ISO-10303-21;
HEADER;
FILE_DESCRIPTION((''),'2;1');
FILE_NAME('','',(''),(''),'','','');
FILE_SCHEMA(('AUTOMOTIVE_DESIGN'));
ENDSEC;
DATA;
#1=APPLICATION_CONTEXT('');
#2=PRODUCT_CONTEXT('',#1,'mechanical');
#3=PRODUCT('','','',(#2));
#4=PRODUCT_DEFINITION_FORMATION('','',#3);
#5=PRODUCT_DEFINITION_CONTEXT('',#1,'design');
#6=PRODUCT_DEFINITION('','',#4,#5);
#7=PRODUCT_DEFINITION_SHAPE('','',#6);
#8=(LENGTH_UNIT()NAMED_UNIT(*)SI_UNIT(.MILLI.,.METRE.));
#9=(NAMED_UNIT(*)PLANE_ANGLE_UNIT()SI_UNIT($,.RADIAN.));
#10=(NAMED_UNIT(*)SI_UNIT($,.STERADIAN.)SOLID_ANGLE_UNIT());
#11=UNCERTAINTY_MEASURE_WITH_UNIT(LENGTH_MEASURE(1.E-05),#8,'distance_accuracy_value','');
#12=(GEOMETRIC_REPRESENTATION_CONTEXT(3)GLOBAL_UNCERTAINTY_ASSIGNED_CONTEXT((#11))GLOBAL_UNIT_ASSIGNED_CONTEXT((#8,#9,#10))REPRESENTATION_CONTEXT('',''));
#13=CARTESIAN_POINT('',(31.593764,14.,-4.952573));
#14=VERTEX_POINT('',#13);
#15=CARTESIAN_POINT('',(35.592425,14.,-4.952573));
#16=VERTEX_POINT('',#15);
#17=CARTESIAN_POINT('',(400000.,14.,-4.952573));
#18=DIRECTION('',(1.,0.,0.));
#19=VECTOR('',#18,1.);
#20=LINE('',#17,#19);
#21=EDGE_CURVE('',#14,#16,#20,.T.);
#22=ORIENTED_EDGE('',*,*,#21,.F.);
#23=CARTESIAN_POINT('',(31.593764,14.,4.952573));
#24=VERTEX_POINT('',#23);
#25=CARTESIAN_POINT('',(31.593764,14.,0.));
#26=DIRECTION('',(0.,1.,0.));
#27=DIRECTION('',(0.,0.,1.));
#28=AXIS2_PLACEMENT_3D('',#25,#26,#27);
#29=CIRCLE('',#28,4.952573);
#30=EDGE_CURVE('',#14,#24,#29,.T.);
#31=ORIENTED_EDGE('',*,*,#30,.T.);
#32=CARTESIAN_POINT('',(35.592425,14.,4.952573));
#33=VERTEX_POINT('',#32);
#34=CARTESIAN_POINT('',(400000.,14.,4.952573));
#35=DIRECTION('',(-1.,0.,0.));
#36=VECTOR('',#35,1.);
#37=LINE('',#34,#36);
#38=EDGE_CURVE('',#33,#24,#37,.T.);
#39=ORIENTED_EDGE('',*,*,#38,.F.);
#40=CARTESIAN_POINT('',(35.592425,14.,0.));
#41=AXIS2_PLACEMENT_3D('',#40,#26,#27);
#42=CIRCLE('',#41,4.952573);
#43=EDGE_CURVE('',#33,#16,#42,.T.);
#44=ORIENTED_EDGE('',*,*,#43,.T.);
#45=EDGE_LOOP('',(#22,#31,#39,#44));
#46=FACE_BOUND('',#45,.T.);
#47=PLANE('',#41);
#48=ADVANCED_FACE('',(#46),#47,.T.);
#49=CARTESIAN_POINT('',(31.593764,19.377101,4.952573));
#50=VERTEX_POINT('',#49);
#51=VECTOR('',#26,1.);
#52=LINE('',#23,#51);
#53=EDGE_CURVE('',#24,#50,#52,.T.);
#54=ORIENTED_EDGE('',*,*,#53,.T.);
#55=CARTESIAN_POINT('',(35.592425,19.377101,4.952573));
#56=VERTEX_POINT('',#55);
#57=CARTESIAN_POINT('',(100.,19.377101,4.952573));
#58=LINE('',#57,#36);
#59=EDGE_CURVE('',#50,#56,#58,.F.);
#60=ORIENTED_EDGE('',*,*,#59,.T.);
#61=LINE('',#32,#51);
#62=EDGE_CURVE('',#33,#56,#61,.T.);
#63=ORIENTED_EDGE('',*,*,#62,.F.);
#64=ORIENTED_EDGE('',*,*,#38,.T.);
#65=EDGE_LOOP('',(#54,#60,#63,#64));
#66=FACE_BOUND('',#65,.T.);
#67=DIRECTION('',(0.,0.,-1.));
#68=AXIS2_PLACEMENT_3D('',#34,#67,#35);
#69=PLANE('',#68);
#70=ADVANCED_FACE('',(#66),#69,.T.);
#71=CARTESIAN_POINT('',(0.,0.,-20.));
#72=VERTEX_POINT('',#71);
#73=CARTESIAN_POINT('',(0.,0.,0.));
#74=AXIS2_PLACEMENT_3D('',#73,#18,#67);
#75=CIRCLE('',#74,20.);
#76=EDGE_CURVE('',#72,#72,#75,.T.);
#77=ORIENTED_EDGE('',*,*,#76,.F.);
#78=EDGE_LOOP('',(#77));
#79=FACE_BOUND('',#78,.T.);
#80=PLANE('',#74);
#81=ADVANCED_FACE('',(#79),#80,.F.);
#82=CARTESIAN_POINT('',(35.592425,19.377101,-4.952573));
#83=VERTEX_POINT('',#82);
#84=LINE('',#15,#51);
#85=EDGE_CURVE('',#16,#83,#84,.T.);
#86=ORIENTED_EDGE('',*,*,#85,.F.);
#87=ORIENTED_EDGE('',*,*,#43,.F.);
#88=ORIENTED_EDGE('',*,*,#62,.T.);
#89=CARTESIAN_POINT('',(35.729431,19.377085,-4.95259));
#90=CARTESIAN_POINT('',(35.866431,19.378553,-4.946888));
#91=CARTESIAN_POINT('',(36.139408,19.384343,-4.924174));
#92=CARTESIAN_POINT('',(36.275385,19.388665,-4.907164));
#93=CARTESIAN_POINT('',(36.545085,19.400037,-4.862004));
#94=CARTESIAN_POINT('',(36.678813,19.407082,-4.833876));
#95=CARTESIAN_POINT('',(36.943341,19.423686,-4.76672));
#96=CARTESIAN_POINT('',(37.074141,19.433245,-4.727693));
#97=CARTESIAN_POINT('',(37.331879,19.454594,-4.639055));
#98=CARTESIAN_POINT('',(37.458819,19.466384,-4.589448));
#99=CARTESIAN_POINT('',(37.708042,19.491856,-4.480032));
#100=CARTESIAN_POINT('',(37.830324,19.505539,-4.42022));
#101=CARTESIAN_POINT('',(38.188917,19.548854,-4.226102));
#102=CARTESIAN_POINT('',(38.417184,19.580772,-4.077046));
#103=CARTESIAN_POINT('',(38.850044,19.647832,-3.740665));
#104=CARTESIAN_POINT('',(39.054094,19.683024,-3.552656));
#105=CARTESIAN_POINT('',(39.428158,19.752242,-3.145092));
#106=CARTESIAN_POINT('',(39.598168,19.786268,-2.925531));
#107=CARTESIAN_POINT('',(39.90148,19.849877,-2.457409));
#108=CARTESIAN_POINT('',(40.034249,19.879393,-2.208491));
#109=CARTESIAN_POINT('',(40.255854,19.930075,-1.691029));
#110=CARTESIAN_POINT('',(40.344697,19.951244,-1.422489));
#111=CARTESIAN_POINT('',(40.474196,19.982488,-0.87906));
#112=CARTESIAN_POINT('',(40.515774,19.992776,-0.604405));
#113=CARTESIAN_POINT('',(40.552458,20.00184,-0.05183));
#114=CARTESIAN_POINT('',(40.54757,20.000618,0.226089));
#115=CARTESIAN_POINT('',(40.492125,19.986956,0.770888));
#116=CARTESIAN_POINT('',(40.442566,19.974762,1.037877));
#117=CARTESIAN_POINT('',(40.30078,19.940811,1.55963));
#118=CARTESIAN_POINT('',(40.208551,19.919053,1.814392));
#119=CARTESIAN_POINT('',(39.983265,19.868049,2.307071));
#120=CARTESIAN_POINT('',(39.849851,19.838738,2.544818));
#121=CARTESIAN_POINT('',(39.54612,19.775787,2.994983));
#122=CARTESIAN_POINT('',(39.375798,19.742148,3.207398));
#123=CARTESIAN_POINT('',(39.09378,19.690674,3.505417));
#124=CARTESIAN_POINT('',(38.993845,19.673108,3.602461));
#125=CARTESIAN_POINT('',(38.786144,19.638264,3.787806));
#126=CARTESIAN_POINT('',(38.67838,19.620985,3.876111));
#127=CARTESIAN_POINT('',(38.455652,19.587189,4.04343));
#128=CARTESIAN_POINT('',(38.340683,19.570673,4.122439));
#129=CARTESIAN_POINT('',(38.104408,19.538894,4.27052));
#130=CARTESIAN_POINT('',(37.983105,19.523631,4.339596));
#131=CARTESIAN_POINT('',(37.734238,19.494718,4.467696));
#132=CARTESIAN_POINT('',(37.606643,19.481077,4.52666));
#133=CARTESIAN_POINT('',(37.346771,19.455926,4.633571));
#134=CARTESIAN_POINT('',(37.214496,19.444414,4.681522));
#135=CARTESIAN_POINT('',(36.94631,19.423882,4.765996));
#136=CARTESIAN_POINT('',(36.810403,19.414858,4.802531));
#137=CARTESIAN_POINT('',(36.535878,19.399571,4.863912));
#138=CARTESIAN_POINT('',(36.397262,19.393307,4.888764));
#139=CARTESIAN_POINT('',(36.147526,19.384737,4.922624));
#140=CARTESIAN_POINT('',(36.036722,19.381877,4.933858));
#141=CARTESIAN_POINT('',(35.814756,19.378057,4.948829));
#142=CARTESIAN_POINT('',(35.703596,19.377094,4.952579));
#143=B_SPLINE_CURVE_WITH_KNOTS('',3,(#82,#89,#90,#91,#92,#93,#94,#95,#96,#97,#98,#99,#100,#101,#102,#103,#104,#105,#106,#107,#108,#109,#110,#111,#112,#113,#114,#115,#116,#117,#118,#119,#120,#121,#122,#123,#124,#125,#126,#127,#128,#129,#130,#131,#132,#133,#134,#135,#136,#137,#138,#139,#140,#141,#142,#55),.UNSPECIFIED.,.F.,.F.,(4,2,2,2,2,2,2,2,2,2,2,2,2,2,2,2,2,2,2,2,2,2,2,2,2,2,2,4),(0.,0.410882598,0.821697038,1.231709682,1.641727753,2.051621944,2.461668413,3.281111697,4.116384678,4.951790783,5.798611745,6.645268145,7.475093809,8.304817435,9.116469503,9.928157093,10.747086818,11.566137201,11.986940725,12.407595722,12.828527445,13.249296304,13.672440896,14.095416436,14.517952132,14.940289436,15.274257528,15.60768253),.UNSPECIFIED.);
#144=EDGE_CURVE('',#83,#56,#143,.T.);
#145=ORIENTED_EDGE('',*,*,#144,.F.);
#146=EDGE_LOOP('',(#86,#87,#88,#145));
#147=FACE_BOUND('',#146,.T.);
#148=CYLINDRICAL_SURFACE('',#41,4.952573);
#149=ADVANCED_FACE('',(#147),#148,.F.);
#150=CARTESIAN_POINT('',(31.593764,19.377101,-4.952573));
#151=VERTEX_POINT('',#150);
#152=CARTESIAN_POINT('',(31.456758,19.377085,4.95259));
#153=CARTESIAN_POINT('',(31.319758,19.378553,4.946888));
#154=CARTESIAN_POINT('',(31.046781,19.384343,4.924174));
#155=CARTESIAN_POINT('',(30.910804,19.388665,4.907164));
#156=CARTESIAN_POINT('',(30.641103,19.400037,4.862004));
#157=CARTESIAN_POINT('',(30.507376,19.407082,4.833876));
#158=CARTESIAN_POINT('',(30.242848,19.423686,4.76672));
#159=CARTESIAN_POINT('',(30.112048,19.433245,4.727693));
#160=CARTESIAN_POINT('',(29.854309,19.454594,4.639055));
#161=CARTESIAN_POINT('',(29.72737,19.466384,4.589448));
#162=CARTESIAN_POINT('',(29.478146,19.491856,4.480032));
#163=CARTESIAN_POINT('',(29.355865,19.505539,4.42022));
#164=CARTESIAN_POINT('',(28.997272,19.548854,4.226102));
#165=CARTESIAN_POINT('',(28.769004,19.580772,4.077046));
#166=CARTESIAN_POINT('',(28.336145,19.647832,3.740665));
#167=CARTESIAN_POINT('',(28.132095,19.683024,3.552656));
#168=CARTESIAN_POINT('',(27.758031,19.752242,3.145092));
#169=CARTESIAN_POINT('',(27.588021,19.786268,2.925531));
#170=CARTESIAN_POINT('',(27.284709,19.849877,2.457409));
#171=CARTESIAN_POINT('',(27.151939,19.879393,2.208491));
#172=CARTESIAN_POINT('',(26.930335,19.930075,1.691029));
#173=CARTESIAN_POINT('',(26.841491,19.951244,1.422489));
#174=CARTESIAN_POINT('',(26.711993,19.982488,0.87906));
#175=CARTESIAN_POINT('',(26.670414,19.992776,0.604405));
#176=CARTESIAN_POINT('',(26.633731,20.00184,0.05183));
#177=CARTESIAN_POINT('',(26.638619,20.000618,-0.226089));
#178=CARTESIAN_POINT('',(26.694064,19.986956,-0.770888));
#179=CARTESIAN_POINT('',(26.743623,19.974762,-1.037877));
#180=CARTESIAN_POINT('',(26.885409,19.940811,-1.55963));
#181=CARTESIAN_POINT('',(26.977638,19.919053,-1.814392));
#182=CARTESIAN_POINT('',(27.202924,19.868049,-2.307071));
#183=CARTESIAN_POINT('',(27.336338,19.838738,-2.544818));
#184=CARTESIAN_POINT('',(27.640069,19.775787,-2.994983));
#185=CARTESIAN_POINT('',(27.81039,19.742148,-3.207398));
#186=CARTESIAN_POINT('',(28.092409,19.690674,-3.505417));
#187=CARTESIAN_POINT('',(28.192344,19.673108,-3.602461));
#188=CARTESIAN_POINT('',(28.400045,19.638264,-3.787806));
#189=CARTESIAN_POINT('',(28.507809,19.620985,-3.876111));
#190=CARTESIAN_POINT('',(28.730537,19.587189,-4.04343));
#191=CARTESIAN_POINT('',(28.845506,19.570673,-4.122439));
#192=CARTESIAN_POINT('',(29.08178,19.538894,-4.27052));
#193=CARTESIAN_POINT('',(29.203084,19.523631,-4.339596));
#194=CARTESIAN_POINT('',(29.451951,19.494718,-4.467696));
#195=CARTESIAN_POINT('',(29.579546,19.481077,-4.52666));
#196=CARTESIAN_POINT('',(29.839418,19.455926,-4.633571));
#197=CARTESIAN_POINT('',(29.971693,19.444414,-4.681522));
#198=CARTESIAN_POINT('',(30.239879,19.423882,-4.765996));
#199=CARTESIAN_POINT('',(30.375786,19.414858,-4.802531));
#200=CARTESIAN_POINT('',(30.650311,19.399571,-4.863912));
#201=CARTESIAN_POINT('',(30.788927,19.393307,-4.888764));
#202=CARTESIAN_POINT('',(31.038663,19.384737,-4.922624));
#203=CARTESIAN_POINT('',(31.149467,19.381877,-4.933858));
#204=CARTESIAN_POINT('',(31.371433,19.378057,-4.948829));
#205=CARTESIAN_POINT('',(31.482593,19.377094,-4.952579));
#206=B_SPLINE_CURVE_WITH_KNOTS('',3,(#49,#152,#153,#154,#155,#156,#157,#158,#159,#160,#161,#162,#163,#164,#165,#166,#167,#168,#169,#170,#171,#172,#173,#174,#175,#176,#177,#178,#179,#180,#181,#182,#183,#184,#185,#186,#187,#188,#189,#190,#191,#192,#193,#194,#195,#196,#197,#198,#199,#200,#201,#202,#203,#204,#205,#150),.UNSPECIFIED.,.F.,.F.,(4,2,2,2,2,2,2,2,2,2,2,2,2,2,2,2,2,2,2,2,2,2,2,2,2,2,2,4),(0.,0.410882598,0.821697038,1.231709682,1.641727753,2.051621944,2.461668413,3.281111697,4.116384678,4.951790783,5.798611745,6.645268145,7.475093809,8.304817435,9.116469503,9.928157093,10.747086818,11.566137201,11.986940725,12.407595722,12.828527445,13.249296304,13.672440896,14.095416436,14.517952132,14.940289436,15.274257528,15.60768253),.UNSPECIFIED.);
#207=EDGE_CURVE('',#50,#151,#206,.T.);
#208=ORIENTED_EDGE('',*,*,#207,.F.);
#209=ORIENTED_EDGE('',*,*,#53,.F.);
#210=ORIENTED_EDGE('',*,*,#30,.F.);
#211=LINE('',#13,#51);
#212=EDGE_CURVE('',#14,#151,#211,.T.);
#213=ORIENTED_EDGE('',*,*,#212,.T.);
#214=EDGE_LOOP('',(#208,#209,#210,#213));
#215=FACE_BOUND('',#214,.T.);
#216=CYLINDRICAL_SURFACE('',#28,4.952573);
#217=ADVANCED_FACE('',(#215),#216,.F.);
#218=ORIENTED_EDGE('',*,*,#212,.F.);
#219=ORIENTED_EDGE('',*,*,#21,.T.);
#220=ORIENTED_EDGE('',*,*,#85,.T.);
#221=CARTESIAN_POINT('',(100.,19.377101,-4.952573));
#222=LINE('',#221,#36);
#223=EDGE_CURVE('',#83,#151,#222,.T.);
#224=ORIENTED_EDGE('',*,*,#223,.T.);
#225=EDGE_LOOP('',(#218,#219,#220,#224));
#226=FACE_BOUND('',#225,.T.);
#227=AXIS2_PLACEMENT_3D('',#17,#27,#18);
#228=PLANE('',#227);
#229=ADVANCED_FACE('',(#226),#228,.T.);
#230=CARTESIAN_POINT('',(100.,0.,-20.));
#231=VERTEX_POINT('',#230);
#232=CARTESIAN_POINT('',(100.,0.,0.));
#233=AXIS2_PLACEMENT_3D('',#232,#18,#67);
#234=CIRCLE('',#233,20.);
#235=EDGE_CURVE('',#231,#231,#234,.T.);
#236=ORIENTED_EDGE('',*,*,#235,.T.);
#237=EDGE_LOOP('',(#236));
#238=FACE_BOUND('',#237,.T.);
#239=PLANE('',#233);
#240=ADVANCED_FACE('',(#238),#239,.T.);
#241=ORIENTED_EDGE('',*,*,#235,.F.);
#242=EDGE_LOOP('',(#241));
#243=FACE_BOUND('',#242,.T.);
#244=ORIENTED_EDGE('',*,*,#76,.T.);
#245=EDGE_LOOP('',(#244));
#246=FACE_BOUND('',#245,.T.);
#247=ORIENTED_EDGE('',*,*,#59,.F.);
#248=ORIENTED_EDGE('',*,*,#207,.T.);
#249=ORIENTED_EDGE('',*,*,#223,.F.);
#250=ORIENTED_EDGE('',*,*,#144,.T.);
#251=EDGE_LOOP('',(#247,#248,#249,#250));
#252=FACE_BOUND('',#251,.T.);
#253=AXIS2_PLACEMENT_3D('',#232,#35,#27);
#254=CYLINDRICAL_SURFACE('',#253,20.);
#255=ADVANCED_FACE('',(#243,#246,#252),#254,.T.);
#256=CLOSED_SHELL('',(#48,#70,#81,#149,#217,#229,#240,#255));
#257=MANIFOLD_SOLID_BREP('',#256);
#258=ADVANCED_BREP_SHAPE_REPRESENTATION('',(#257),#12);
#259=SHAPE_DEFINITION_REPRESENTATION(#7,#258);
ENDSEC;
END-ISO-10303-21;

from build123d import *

# Parameters (mm, degrees)
SKICA1_R        = 20
VYSUNOUT1_DEPTH = 100
VYSUNOUT2_START = 20
VYSUNOUT2_DEPTH = 6


with BuildPart() as part:
    # Skica1 → Vysunout1 (new body)
    with BuildSketch(Plane(origin=(0, 0, 0), x_dir=(0, 0, -1), z_dir=(1, 0, 0))):
        Circle(SKICA1_R)
    extrude(amount=VYSUNOUT1_DEPTH)

    # Skica2 → Vysunout2 (cut)
    with BuildSketch(Plane(origin=(0, 0, 0), x_dir=(1, 0, 0), z_dir=(0, 1, 0)).offset(VYSUNOUT2_START)):
        with BuildLine():
            Line((31.593763982, 4.952572563), (35.592424808, 4.952572563))
            ThreePointArc((35.592424808, 4.952572563), (40.544997371, 0), (35.592424808, -4.952572563))
            Line((35.592424808, -4.952572563), (31.593763982, -4.952572563))
            ThreePointArc((31.593763982, -4.952572563), (26.64119142, 0), (31.593763982, 4.952572563))
        make_face()
    extrude(amount=-VYSUNOUT2_DEPTH, mode=Mode.SUBTRACT)


solid = part.part
